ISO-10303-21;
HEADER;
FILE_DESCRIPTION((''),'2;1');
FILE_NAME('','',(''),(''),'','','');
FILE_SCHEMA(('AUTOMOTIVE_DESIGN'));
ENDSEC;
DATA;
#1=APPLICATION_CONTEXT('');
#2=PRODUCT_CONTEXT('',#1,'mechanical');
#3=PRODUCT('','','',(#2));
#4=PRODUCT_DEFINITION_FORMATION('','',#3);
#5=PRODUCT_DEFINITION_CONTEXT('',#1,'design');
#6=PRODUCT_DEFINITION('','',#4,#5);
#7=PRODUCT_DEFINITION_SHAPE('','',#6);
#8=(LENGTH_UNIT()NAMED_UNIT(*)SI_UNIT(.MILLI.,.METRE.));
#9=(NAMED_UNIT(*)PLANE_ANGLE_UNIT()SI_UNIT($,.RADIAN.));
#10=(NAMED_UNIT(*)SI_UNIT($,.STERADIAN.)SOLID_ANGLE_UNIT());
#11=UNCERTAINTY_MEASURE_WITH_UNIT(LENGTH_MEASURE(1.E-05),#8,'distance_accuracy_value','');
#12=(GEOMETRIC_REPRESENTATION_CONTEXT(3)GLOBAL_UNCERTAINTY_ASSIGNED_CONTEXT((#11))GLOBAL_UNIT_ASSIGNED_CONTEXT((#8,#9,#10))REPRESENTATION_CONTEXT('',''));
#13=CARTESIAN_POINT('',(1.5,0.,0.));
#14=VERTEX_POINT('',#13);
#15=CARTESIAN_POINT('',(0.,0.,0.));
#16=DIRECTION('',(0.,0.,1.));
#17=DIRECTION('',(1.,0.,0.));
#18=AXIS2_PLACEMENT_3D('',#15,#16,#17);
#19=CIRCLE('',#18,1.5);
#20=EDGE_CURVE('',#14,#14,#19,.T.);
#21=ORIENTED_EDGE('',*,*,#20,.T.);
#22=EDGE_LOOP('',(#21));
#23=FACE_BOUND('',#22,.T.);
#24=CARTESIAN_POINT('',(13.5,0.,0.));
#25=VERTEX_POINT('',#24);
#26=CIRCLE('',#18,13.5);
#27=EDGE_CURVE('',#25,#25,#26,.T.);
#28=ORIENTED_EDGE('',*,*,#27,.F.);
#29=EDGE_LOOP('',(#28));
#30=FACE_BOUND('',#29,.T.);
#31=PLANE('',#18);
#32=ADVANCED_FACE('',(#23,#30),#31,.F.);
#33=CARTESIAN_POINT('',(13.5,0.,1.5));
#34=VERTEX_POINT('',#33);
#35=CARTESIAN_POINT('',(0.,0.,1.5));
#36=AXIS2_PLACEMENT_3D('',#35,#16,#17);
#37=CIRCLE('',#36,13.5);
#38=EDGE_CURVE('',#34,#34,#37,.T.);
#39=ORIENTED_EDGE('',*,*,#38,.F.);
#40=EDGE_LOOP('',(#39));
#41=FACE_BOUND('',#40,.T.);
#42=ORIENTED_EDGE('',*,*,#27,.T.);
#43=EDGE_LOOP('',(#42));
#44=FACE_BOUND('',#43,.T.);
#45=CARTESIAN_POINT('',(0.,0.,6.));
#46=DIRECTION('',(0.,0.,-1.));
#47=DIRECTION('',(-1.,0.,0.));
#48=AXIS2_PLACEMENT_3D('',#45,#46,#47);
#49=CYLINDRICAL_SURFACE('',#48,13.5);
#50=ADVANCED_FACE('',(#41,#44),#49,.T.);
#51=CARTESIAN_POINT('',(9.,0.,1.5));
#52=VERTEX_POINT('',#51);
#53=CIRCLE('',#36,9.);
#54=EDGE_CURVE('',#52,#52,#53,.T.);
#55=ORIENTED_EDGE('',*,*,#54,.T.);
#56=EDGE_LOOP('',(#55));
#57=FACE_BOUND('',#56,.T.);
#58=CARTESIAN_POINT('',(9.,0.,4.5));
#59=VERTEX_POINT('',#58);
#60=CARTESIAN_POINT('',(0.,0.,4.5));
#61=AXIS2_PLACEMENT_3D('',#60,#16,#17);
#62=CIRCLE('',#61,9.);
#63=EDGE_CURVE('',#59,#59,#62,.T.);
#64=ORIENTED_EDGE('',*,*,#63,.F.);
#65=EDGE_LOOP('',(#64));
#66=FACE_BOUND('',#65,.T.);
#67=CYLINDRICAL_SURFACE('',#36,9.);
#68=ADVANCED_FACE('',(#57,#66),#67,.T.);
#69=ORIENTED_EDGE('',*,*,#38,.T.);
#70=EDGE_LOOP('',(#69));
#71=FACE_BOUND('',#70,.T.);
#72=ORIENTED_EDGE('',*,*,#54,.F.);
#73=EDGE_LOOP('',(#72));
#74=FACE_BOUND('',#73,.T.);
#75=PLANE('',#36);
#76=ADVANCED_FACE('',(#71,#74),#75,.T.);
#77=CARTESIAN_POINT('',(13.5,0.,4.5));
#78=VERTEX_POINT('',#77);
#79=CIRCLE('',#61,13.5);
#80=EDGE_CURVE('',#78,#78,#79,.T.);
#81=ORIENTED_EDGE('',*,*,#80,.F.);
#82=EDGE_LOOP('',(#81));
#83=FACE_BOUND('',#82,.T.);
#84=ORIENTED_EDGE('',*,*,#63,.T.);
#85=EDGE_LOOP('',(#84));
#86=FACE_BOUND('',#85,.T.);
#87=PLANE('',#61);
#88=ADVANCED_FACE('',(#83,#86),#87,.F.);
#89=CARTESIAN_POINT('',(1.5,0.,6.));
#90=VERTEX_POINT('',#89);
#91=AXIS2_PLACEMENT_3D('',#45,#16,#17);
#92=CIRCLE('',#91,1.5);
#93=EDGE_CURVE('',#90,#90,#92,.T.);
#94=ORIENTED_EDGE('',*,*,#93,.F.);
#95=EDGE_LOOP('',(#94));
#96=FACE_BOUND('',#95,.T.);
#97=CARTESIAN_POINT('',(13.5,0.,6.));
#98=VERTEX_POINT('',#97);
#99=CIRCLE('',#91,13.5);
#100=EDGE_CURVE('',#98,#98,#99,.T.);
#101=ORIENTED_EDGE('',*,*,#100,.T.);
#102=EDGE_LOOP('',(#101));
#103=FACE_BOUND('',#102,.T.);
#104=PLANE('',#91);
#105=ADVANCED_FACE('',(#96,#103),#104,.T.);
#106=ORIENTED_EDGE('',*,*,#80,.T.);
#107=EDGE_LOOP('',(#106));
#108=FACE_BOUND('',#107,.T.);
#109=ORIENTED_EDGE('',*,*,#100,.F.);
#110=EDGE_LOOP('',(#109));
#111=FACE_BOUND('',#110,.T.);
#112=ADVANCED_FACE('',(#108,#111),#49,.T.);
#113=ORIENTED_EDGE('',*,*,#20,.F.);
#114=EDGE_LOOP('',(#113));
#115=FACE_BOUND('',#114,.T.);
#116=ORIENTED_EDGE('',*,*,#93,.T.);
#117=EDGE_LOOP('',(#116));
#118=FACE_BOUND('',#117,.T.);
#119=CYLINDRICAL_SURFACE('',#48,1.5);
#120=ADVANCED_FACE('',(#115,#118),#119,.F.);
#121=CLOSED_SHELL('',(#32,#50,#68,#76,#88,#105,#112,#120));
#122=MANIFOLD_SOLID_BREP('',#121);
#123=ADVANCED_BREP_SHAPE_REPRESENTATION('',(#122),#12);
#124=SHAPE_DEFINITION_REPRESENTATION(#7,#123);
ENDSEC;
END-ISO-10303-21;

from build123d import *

# Parameters (mm, degrees)
SKETCH_1_R          = 13.5
EXTRUDE_1_DEPTH     = 6
SKETCH_3_R          = 1.5
CUT_EXTRUDE_2_DEPTH = 21.012496096
CUT_EXTRUDE_START   = -3
SKETCH_4_R          = 13.5
SKETCH_4_R_2        = 9
CUT_EXTRUDE_3_DEPTH = 3


with BuildPart() as part:
    # 草图1 → 凸台-拉伸1 (new body)
    with BuildSketch(Plane.XY):
        Circle(SKETCH_1_R)
    extrude(amount=EXTRUDE_1_DEPTH)

    # 草图3 → 切除-拉伸2 (cut, through all)
    with BuildSketch(Plane.XY):
        Circle(SKETCH_3_R)
    extrude(amount=CUT_EXTRUDE_2_DEPTH, mode=Mode.SUBTRACT)

    # 草图4 → 切除-拉伸3 (cut)
    with BuildSketch(Plane.XY.offset(4.5).offset(CUT_EXTRUDE_START)):
        Circle(SKETCH_4_R)
        Circle(SKETCH_4_R_2, mode=Mode.SUBTRACT)
    extrude(amount=CUT_EXTRUDE_3_DEPTH, mode=Mode.SUBTRACT)


solid = part.part
